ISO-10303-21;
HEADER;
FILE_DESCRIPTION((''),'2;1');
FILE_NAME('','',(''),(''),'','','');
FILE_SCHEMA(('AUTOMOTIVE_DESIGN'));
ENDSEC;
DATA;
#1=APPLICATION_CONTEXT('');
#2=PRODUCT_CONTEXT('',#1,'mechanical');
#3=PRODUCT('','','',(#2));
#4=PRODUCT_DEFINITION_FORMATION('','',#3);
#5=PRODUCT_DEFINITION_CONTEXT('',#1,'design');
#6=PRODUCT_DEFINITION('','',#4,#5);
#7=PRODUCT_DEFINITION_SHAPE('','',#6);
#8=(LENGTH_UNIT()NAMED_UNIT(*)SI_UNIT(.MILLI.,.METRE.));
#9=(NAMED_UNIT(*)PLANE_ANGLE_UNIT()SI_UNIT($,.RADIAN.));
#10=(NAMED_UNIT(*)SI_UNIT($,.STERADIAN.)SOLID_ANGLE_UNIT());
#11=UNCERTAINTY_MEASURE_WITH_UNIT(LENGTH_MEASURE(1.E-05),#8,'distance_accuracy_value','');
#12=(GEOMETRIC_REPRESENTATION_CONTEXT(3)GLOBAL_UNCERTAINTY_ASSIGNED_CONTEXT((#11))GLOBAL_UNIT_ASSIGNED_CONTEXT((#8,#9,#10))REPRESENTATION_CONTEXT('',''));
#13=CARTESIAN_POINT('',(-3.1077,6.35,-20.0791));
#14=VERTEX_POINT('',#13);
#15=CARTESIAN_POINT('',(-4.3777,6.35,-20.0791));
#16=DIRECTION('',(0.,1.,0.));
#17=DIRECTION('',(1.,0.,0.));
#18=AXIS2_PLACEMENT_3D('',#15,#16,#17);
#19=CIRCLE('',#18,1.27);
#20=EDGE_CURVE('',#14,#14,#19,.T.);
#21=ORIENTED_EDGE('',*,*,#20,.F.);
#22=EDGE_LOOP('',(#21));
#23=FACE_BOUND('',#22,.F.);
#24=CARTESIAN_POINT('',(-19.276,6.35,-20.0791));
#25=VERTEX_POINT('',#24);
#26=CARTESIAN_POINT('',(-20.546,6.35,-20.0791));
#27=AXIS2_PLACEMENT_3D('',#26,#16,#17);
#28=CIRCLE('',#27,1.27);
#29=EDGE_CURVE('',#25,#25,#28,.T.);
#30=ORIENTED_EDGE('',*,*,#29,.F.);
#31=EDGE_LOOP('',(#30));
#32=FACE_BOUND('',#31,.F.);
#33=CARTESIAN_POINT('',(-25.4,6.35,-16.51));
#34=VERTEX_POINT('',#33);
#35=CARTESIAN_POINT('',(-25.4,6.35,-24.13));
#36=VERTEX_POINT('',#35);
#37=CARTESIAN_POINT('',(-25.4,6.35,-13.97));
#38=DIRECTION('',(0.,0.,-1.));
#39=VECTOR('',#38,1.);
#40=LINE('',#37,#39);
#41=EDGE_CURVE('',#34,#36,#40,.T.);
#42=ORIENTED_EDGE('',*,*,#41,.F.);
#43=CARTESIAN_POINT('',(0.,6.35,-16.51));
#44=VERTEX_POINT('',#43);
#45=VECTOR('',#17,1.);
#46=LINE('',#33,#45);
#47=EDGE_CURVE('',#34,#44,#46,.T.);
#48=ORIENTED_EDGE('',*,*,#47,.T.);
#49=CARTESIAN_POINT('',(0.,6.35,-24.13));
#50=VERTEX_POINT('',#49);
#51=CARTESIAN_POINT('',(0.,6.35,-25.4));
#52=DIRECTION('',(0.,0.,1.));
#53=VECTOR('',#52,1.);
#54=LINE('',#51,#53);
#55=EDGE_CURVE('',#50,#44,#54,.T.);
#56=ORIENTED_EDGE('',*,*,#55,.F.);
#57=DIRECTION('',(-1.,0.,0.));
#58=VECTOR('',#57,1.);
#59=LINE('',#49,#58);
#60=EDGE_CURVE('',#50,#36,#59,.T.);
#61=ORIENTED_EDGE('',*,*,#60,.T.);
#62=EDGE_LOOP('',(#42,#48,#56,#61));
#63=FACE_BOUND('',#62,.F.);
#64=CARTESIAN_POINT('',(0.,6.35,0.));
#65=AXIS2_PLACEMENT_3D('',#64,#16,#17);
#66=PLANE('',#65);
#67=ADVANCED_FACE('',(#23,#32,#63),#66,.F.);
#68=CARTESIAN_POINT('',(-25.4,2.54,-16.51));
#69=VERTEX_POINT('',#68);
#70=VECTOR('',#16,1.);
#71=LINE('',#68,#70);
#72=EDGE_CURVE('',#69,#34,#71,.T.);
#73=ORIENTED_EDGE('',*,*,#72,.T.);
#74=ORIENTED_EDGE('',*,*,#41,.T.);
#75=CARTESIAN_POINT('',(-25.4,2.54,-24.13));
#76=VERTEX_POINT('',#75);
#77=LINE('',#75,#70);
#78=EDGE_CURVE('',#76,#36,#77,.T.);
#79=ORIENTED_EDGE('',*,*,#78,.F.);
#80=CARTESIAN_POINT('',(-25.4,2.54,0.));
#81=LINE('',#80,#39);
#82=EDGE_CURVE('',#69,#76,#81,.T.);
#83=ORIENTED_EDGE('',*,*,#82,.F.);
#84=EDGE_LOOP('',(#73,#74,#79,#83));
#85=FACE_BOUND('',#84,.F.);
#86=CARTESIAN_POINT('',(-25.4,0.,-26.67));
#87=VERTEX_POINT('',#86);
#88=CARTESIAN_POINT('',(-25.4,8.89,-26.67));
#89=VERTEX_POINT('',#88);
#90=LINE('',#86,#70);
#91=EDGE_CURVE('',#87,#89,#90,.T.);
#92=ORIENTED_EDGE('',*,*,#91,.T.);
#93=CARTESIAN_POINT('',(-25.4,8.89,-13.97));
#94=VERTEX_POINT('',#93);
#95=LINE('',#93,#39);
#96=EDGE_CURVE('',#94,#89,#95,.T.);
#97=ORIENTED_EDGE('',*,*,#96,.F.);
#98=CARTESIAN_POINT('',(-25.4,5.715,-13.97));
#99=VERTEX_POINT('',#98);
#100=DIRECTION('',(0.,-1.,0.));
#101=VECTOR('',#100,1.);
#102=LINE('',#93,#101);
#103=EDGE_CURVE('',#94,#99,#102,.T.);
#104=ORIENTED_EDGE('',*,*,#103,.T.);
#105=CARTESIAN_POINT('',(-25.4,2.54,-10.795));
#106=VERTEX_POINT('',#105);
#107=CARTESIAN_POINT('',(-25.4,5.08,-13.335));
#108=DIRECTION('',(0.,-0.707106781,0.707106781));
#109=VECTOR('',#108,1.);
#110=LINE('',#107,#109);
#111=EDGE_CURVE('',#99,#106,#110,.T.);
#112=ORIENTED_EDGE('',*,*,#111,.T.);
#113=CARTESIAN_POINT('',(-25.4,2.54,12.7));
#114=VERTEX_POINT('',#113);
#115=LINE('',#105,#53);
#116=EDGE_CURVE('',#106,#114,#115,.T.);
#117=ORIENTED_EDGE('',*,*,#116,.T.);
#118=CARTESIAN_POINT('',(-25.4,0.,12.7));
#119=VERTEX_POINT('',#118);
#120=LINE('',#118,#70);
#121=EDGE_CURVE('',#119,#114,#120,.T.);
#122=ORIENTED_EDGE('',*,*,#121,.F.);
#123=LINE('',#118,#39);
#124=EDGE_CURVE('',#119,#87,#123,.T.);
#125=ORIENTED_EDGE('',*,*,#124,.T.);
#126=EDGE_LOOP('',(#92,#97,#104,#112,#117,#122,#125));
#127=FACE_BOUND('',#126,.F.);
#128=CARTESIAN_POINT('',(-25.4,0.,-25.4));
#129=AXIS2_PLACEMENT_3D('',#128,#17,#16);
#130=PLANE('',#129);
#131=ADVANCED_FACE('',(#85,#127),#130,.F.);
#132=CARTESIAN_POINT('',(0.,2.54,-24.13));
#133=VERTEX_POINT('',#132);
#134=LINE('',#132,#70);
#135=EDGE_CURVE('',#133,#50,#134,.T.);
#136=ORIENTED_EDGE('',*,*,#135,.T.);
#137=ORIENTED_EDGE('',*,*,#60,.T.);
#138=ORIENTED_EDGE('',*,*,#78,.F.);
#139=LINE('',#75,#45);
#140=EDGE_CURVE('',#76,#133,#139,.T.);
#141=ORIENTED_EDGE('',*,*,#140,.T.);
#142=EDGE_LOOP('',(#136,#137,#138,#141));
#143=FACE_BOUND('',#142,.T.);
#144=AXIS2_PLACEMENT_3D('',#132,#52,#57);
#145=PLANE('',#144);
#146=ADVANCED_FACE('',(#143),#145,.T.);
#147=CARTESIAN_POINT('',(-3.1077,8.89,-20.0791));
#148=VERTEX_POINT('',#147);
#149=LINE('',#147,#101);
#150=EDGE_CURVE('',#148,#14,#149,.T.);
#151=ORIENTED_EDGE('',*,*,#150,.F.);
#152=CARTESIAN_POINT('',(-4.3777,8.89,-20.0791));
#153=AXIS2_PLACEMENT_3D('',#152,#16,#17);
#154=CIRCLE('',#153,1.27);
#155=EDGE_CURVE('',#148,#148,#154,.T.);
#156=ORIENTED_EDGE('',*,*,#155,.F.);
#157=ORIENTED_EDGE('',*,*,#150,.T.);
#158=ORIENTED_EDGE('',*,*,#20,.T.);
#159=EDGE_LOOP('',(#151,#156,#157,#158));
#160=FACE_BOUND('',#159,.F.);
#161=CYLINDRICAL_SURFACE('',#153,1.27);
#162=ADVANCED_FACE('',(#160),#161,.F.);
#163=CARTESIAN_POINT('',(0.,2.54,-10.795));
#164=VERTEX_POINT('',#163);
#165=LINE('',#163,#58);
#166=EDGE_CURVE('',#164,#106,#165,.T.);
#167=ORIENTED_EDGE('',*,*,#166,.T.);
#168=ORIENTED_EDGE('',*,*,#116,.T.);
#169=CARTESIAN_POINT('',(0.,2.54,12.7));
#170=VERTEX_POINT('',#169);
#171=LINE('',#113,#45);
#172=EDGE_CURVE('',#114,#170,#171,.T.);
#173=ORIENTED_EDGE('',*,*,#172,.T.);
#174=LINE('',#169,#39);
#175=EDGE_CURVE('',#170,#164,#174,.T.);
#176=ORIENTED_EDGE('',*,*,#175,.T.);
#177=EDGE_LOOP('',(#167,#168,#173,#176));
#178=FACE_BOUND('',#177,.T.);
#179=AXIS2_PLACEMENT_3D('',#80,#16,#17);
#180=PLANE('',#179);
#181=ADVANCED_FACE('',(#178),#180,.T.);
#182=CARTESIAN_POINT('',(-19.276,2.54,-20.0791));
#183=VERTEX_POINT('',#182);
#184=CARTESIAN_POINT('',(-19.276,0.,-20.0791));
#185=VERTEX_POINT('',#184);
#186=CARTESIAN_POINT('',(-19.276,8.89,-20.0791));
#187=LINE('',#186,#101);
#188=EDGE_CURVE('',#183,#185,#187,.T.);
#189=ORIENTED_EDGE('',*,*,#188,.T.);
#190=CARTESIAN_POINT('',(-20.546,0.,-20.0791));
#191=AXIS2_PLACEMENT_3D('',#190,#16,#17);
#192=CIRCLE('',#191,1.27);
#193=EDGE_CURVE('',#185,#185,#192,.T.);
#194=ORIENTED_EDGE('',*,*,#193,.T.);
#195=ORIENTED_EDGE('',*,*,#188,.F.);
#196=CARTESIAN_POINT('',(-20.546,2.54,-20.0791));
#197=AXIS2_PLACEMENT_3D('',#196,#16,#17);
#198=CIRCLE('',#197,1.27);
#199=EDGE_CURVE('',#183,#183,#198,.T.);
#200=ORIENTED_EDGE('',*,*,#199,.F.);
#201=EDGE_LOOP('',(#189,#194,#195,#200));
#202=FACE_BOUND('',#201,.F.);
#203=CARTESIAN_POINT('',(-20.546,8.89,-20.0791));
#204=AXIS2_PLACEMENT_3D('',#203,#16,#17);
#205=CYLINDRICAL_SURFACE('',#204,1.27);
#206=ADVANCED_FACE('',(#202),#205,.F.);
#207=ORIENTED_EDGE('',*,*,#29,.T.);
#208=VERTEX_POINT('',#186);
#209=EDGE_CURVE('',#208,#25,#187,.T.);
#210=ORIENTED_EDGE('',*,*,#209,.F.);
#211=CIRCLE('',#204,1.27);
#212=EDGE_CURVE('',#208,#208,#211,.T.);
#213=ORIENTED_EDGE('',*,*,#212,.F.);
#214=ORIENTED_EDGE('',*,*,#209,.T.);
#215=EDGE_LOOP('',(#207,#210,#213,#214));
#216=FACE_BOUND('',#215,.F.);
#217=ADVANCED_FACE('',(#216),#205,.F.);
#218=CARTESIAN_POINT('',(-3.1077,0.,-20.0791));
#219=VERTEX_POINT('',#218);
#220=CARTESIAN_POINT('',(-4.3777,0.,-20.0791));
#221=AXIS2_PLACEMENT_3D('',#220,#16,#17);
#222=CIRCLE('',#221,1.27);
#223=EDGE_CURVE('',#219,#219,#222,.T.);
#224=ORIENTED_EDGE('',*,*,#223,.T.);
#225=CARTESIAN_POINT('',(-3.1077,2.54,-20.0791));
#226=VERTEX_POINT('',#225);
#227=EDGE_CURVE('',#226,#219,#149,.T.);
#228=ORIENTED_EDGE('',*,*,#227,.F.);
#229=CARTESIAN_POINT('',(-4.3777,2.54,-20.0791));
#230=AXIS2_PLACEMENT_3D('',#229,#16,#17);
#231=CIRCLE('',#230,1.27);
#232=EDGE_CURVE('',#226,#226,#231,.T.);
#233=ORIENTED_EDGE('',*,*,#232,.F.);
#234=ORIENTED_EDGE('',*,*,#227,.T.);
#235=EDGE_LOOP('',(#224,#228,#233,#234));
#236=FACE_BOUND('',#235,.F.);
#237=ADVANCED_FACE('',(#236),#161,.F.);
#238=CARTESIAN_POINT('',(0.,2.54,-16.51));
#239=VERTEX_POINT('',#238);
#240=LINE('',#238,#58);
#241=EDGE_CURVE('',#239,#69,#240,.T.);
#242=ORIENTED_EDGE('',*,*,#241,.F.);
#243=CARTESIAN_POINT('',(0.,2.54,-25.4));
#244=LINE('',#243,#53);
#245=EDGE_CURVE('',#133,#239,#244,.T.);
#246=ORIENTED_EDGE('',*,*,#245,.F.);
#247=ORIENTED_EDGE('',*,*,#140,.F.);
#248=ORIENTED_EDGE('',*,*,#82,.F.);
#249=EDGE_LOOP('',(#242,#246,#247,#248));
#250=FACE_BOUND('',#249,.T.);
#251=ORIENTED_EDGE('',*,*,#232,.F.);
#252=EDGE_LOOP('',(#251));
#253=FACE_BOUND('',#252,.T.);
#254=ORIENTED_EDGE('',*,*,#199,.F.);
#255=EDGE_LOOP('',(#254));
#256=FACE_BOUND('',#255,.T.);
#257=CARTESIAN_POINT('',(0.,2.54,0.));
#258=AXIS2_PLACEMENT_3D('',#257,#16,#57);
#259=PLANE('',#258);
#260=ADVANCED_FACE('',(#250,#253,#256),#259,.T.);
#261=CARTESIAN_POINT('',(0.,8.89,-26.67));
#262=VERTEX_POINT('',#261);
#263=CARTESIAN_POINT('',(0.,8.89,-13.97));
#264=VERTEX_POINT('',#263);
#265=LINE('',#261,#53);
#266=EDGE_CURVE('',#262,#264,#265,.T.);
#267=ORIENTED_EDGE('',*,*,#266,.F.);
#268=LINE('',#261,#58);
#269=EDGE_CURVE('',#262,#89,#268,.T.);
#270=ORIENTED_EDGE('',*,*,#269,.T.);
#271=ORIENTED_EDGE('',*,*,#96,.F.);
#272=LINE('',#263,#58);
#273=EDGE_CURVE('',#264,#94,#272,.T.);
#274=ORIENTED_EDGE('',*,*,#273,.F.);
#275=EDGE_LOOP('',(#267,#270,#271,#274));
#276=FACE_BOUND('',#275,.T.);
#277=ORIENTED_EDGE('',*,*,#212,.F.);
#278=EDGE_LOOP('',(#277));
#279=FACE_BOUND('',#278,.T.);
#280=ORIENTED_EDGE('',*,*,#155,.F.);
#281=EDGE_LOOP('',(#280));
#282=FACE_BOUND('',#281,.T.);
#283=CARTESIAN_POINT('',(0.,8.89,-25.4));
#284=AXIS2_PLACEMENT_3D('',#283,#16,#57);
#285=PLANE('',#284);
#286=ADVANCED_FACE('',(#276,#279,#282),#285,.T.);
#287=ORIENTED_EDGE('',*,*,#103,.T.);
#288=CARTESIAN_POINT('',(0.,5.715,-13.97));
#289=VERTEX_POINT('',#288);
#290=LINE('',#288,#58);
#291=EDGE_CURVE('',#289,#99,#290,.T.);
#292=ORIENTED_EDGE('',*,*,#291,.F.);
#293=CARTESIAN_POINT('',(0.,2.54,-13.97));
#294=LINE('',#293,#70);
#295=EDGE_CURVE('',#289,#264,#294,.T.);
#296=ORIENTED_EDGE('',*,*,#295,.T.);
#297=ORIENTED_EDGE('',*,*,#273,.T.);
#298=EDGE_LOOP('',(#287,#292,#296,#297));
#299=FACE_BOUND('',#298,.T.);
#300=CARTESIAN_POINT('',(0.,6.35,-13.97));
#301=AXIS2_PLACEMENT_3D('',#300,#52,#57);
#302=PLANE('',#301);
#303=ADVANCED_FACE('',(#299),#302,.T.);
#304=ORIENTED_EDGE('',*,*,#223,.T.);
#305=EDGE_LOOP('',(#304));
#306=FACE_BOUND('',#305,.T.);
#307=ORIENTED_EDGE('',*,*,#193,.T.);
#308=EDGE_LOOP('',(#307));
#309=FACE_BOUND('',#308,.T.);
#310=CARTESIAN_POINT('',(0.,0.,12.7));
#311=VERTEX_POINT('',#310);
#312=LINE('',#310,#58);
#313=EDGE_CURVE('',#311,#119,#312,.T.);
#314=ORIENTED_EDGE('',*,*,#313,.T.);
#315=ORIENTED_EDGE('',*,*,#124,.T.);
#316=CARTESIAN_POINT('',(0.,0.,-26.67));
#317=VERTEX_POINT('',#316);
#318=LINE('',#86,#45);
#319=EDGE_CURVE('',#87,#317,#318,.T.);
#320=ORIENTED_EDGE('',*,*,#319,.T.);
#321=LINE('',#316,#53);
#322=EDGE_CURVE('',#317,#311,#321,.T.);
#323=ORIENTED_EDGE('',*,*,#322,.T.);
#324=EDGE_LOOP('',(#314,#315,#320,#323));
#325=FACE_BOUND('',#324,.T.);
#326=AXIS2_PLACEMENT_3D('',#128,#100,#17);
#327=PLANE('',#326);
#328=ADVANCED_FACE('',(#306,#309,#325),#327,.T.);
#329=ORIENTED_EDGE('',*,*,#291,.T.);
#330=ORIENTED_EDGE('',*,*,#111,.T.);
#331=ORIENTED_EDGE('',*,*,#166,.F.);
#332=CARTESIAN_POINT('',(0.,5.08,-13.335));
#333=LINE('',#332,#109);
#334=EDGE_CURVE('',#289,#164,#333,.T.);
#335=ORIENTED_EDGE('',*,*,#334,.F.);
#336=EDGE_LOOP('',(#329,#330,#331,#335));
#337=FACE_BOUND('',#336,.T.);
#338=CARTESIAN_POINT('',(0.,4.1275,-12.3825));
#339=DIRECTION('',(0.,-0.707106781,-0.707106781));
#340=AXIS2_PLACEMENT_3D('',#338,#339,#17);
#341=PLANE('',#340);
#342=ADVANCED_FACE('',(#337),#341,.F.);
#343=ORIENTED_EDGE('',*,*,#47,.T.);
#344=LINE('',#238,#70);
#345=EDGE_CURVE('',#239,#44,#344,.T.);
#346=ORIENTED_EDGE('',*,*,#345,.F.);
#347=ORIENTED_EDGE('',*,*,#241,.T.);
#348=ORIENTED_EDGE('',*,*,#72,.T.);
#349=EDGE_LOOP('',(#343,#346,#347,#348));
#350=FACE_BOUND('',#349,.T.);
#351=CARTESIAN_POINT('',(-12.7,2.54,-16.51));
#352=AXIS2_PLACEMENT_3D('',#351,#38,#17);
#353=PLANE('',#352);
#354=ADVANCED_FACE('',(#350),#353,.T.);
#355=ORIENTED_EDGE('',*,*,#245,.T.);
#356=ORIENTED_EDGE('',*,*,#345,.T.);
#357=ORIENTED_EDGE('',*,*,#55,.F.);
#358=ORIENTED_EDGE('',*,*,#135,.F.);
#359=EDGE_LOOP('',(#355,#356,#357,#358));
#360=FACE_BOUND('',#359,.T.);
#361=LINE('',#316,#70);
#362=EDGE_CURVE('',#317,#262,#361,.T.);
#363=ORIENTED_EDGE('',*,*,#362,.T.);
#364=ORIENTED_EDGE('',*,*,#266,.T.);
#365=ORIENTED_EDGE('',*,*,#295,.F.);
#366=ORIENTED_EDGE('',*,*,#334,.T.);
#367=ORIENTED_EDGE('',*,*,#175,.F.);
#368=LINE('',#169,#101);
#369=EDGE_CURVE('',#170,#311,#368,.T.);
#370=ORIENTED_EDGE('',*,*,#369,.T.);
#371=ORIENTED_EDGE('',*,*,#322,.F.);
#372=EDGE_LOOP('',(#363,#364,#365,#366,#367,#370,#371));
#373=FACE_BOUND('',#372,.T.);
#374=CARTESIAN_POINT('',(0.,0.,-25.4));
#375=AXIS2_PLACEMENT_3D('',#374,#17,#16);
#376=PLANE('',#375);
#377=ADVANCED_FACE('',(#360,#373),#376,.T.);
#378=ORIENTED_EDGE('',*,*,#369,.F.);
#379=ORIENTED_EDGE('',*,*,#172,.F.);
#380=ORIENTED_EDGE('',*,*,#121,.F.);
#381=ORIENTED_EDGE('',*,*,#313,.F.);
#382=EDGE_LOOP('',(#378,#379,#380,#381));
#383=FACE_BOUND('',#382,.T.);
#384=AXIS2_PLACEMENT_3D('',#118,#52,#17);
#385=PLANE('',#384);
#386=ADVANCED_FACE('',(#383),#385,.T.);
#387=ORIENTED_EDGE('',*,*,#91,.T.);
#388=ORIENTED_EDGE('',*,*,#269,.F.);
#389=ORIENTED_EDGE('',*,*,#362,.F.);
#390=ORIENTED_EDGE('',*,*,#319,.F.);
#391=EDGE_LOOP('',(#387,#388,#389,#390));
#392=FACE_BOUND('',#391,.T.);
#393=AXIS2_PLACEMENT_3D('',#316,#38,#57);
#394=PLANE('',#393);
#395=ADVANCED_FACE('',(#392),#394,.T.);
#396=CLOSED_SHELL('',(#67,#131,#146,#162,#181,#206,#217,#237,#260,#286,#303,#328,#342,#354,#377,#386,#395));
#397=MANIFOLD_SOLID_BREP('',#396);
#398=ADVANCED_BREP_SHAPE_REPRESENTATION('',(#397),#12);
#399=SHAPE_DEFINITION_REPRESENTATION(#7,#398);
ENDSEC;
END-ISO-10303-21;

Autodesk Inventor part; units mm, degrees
ref_plane "YZ Plane" through (0, 0, 0) normal (1, 0, 0) x (0, 1, 0)
ref_plane "XZ Plane" through (0, 0, 0) normal (0, 1, 0) x (-1, 0, 0)
ref_plane "XY Plane" through (0, 0, 0) normal (0, 0, 1) x (1, 0, 0)
sketch "Sketch1" plane through (0, 0, 0) normal (0, 1, 0) x (-1, 0, 0)
  line L0 (0, 0) -> (25.4, 0)
  line L1 (25.4, 0) -> (25.4, -25.4)
  line L2 (25.4, -25.4) -> (0, -25.4)
  line L3 (0, -25.4) -> (0, 0)
  dimension "d0" = 25.4
  dimension "d1" = 25.4
extrude "Extrusion1" add sketch "Sketch1" along normal blind 2.54
sketch "Sketch2" plane through (0, 2.54, 0) normal (0, 1, 0) x (1, 0, 0)
  line L0 (0, 25.4) -> (-25.4, 25.4) projected
  line L1 (-25.4, 25.4) -> (0, 25.4)
  line L2 (0, 25.4) -> (0, 24.13)
  line L3 (0, 24.13) -> (-25.4, 24.13)
  line L4 (-25.4, 24.13) -> (-25.4, 25.4)
  line L5 (-12.7, 24.13) -> (-12.7, 16.51)
  line L6 (-12.7, 24.13) -> (-5.08, 24.13) construction
  line L7 (-25.4, 16.51) -> (0, 16.51)
  line L8 (0, 16.51) -> (0, 13.97)
  line L9 (0, 13.97) -> (-25.4, 13.97)
  line L10 (-25.4, 13.97) -> (-25.4, 16.51)
  point P0 (0, 0)
  dimension "d4" = 25.4
  dimension "d5" = 1.27
  dimension "d6" = 7.62
  dimension "d7" = 90
  dimension "d8" = 25.4
  dimension "d9" = 2.54
extrude "Extrusion2" add sketch "Sketch2" along normal blind 3.81
sketch "Sketch3" plane through (0, 6.35, 0) normal (0, 1, 0) x (1, 0, 0)
  line L0 (0, 13.97) -> (0, 16.51) projected
  line L1 (-25.4, 25.4) -> (0, 25.4) projected
  line L2 (0, 13.97) -> (-25.4, 13.97)
  line L3 (-25.4, 13.97) -> (-25.4, 25.4)
  line L4 (-25.4, 25.4) -> (0, 25.4)
  line L5 (0, 25.4) -> (0, 13.97)
  point P0 (0, 0)
extrude "Extrusion3" add sketch "Sketch3" along normal blind 2.54
chamfer "Chamfer1" distance 3.175 angle 45 1 edges at (-12.7, 2.54, -13.97)
sketch "Sketch4" plane through (0, 8.89, 0) normal (0, 1, 0) x (1, 0, 0)
  circle A0 centre (-20.546, 20.0791) radius 1.27
  circle A1 centre (-4.3777, 20.0791) radius 1.27
  point P0 (0, 0)
  dimension "d17" = 2.54
  dimension "d18" = 2.54
extrude "Extrusion4" cut sketch "Sketch4" against normal blind 25.4
sketch "Sketch5" plane through (-25.4, 0, 0) normal (0, 0, 1) x (1, 0, 0)
  line L0 (0, 2.54) -> (25.4, 2.54) projected
  line L1 (25.4, 0) -> (0, 0) projected
  line L2 (0, 2.54) -> (25.4, 2.54)
  line L3 (25.4, 2.54) -> (25.4, 0)
  line L4 (25.4, 0) -> (0, 0)
  line L5 (0, 0) -> (0, 2.54)
extrude "Extrusion5" add sketch "Sketch5" along normal blind 12.7
sketch "Sketch6" plane through (0, 0, -25.4) normal (0, 0, -1) x (-1, 0, 0)
  line L0 (25.4, 0) -> (0, 0) projected
  line L1 (25.4, 0) -> (25.4, 8.89) projected
  line L2 (0, 8.89) -> (25.4, 8.89) projected
  line L3 (0, 0) -> (0, 8.89) projected
extrude "Extrusion6" add sketch "Sketch6" along normal blind 1.27
properties part number "Hotend holder V4 Beltmount"
